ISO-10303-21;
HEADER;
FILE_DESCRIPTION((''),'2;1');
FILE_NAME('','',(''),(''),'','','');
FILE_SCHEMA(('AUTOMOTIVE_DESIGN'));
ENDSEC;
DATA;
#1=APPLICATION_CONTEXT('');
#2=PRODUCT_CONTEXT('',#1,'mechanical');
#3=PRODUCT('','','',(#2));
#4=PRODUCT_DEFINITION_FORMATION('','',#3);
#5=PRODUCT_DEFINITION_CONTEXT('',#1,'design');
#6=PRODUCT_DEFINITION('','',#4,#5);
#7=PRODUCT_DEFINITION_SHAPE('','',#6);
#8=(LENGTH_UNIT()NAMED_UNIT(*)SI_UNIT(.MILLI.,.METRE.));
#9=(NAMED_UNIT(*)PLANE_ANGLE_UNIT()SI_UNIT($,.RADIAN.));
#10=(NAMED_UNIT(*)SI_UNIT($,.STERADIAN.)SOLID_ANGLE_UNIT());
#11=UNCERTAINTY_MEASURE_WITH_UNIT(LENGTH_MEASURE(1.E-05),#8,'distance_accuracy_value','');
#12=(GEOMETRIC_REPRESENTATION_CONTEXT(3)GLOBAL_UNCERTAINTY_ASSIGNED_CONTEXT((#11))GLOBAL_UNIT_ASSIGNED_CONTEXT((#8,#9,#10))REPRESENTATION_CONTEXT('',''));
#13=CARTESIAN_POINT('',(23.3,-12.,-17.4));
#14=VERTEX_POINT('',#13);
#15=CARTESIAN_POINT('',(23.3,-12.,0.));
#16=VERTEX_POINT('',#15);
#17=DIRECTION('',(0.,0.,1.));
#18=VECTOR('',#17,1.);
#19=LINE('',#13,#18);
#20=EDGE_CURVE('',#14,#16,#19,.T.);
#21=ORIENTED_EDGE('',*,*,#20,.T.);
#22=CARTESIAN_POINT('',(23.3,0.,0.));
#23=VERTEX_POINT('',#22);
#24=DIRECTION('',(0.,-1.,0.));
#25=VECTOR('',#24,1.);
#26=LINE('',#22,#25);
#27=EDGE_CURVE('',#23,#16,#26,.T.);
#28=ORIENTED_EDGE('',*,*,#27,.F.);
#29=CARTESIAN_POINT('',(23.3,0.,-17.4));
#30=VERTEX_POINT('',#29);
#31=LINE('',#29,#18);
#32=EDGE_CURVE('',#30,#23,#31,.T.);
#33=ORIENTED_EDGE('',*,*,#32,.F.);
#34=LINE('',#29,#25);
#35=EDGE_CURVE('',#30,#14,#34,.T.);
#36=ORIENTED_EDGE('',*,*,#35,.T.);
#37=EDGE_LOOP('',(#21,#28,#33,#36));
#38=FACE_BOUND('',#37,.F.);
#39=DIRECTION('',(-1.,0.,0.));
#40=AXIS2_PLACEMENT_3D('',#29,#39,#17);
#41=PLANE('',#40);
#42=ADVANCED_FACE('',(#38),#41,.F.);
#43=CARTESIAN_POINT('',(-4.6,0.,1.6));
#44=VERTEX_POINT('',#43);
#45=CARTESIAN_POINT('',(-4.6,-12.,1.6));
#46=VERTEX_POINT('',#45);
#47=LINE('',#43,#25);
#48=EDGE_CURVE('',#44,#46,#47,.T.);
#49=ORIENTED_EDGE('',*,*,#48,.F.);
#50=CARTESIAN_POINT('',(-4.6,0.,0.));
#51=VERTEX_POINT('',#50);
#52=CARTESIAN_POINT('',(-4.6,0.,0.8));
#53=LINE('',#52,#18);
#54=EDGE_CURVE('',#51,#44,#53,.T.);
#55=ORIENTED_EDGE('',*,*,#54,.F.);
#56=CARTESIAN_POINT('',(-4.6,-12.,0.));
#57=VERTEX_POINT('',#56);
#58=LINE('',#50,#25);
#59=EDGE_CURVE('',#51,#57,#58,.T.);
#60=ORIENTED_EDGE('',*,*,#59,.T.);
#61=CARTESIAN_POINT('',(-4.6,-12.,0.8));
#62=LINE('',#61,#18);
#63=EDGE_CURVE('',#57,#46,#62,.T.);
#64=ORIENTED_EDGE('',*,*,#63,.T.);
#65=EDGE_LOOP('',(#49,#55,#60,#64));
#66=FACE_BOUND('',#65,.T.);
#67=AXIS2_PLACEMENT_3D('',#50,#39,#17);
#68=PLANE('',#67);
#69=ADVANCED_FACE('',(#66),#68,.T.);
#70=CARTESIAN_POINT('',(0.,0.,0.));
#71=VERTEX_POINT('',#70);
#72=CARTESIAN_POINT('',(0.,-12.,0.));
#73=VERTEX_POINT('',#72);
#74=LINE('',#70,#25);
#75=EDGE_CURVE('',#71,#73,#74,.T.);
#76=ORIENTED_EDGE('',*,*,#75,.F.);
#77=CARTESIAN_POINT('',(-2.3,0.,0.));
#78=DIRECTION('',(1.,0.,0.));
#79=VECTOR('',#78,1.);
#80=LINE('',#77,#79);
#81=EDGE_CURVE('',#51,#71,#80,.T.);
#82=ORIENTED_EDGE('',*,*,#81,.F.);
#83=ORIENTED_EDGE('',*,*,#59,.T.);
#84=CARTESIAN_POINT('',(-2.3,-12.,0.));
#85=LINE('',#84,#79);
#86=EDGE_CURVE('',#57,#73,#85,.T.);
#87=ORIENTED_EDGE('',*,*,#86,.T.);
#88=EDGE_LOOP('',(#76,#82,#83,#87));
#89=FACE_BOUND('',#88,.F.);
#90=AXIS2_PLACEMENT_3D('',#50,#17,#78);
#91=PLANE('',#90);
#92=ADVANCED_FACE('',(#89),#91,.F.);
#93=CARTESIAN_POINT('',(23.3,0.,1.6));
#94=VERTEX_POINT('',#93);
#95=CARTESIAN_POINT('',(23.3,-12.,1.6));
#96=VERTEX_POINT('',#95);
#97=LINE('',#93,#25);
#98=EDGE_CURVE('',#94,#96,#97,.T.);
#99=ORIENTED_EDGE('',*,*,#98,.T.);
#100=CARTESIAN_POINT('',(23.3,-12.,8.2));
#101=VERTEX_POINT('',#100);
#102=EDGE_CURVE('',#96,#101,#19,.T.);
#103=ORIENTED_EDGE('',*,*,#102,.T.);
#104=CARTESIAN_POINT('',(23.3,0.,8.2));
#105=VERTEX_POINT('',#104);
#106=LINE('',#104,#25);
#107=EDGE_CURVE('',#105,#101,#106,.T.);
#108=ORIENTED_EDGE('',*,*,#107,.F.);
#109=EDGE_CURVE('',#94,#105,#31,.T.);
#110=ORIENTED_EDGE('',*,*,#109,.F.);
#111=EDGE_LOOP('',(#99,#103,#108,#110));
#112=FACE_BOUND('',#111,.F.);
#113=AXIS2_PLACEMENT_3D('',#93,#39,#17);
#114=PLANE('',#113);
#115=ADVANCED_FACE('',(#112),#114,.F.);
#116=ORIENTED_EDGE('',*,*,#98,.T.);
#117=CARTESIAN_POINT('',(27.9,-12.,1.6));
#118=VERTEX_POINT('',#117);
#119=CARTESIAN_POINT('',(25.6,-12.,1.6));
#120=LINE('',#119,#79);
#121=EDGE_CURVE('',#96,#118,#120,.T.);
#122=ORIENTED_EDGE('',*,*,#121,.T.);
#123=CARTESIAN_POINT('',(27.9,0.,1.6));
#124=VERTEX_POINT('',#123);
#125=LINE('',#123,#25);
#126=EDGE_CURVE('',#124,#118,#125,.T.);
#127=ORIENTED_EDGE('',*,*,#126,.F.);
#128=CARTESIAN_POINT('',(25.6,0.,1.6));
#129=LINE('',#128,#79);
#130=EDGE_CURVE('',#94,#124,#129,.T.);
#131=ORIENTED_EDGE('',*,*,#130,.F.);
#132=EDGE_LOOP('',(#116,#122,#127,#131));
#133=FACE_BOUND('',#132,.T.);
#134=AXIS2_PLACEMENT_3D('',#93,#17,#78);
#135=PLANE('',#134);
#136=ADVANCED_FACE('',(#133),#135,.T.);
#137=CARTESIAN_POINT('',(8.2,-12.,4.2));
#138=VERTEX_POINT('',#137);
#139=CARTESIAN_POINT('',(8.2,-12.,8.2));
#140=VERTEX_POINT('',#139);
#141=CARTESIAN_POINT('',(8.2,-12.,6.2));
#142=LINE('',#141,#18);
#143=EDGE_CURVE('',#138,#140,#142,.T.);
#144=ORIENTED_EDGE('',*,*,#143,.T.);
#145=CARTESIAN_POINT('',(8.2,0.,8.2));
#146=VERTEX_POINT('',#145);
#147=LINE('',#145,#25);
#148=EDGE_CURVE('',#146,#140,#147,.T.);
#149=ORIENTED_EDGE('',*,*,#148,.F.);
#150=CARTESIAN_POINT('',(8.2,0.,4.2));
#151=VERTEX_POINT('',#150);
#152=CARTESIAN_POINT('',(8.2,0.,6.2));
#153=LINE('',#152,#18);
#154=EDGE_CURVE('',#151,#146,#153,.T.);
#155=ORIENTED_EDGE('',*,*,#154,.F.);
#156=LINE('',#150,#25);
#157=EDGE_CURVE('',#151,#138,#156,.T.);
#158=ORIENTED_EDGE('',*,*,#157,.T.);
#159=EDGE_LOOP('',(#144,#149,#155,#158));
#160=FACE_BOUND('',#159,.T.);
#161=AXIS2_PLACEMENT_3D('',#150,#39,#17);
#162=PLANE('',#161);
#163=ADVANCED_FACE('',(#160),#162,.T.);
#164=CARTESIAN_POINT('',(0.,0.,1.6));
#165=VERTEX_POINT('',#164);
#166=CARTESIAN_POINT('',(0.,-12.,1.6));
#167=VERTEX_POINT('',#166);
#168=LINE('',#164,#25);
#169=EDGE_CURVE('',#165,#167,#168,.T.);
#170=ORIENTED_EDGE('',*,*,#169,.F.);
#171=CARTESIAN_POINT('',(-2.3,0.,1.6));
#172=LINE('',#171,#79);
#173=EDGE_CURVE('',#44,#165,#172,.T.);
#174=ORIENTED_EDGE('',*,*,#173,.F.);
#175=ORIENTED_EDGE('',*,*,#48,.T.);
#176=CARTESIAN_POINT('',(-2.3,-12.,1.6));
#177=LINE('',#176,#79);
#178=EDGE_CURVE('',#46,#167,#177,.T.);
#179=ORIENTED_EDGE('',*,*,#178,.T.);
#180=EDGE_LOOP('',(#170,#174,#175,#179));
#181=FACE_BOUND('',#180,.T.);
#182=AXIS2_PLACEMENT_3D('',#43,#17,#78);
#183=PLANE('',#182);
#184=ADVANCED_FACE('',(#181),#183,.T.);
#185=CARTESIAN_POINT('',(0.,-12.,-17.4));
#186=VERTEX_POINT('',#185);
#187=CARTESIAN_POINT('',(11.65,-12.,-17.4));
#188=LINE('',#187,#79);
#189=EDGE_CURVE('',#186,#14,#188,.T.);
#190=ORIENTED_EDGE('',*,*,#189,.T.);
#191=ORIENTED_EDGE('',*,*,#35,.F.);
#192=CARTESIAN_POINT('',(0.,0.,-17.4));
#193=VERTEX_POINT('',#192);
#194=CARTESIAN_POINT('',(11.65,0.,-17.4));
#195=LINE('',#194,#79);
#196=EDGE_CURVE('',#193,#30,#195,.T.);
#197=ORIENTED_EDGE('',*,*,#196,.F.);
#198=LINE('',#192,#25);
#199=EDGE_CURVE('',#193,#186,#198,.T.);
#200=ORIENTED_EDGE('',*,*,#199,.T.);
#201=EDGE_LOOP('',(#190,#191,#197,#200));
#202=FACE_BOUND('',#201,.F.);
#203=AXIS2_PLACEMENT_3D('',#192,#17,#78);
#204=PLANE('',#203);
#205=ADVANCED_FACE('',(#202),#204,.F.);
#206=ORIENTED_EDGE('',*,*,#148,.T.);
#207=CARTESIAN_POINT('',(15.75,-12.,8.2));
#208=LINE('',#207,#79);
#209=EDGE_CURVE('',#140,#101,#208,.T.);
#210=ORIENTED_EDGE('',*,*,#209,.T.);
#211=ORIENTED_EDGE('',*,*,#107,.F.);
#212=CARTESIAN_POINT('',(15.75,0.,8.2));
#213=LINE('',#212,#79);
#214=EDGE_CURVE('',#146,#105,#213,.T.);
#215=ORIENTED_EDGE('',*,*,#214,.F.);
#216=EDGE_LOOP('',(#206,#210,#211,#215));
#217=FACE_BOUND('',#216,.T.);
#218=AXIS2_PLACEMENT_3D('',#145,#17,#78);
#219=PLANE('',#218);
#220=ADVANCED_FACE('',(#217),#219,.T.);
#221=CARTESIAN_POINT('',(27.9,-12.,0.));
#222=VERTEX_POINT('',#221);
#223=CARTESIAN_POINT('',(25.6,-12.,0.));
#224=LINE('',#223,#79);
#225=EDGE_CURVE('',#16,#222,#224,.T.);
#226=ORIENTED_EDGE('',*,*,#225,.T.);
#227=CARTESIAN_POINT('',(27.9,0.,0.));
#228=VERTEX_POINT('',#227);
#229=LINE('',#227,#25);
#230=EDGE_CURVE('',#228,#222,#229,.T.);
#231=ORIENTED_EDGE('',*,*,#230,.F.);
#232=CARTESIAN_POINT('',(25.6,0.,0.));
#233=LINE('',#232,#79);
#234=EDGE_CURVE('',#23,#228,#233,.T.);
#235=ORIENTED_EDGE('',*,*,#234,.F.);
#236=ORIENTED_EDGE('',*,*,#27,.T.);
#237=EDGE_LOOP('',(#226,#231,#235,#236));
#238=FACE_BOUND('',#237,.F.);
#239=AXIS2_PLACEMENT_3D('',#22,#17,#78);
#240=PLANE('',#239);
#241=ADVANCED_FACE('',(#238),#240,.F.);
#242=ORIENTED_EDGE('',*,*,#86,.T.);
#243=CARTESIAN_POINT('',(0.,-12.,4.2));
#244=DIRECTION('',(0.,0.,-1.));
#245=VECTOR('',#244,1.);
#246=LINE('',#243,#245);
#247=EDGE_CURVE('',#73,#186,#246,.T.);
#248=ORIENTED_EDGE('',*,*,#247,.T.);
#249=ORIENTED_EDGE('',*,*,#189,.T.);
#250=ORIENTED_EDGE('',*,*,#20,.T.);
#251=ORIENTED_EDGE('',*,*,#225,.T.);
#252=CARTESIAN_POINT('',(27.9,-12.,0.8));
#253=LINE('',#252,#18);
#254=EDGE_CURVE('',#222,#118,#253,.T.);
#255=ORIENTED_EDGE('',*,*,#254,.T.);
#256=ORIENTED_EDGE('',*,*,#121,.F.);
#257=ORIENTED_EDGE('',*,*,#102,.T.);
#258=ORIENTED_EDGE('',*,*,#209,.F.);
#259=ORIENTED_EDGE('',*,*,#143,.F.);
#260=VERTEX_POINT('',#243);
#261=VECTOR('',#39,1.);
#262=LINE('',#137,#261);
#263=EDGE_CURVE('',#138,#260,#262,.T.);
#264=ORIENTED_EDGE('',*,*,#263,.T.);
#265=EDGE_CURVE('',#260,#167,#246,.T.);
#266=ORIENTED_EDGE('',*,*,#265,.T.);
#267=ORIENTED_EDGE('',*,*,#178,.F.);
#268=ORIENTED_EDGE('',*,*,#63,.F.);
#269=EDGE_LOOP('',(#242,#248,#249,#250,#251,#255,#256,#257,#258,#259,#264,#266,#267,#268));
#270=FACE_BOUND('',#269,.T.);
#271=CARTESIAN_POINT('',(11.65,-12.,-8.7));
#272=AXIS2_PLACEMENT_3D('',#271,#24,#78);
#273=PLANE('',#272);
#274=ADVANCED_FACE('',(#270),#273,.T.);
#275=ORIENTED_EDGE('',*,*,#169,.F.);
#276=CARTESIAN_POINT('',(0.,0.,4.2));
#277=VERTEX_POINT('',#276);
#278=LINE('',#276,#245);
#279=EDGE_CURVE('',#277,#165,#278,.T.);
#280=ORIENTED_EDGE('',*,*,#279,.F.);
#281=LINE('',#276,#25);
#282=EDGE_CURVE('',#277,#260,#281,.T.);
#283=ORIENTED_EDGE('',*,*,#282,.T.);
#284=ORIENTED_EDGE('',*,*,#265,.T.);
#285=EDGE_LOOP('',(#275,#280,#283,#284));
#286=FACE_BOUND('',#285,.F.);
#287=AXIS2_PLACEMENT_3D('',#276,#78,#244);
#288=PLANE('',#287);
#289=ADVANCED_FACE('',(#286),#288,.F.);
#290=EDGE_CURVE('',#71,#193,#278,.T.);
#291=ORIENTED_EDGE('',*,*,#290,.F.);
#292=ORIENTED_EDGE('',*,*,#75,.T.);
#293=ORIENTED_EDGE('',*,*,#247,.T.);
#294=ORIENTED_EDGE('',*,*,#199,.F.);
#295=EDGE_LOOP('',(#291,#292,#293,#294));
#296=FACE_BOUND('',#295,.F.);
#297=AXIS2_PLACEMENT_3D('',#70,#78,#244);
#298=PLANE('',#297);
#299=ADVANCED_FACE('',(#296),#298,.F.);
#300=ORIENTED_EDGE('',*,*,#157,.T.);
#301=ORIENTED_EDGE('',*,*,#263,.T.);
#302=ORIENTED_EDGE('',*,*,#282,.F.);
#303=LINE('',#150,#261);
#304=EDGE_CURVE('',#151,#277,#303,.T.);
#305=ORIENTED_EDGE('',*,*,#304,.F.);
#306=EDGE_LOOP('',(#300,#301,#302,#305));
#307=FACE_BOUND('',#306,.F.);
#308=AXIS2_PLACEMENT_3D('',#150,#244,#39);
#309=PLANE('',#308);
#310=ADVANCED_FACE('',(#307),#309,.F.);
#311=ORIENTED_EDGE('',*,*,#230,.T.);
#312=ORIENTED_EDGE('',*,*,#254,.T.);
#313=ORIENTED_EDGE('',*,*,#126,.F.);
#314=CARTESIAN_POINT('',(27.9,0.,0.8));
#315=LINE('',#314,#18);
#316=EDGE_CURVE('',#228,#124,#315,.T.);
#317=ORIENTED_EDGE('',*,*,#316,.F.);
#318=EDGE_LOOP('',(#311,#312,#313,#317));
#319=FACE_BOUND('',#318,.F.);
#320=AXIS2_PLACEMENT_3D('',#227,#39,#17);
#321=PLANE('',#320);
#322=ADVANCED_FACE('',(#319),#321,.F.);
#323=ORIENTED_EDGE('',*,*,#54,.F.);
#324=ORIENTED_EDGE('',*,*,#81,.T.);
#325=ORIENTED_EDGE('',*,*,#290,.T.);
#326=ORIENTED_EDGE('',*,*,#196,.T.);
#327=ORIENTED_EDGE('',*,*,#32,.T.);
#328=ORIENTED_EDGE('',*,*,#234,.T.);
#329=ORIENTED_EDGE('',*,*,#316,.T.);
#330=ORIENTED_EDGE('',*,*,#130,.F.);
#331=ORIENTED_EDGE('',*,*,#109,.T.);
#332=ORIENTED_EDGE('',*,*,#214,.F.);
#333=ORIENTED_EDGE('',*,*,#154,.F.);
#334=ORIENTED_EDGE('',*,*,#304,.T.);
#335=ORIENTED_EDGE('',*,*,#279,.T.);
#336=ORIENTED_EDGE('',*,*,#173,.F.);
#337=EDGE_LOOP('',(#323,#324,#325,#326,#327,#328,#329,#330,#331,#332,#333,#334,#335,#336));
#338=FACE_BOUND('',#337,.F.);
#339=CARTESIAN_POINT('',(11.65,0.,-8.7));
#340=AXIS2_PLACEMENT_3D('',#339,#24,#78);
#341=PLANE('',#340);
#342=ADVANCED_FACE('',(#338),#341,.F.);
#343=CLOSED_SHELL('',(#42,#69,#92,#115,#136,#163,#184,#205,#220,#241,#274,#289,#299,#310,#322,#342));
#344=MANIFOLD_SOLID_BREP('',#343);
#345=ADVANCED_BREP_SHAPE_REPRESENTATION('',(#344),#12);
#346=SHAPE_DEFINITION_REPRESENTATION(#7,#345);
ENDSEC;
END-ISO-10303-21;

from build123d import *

# Parameters (mm, degrees)
F0_W     = 23.3
F0_H     = 17.4
F0_W_2   = 15.1
F0_H_2   = 4
F0_H_3   = 1.6
F0_W_3   = 4.6
F1_DEPTH = 12


with BuildPart() as f1:
    # F0 (on Front) → F1 (new body)
    with BuildSketch(Plane.XZ):
        with Locations((11.65, -8.7)):
            Rectangle(F0_W, F0_H)
        with Locations((15.75, 6.2)):
            Rectangle(F0_W_2, F0_H_2)
        Polygon((8.2, 4.2), (0, 4.2), (0, 1.6), (23.3, 1.6), (23.3, 4.2), align=None)
        with Locations((11.65, 0.8)):
            Rectangle(F0_W, F0_H_3)
        with Locations((25.6, 0.8)):
            Rectangle(F0_W_3, F0_H_3)
        with Locations((-2.3, 0.8)):
            Rectangle(F0_W_3, F0_H_3)
    extrude(amount=F1_DEPTH)


solid = f1.part
